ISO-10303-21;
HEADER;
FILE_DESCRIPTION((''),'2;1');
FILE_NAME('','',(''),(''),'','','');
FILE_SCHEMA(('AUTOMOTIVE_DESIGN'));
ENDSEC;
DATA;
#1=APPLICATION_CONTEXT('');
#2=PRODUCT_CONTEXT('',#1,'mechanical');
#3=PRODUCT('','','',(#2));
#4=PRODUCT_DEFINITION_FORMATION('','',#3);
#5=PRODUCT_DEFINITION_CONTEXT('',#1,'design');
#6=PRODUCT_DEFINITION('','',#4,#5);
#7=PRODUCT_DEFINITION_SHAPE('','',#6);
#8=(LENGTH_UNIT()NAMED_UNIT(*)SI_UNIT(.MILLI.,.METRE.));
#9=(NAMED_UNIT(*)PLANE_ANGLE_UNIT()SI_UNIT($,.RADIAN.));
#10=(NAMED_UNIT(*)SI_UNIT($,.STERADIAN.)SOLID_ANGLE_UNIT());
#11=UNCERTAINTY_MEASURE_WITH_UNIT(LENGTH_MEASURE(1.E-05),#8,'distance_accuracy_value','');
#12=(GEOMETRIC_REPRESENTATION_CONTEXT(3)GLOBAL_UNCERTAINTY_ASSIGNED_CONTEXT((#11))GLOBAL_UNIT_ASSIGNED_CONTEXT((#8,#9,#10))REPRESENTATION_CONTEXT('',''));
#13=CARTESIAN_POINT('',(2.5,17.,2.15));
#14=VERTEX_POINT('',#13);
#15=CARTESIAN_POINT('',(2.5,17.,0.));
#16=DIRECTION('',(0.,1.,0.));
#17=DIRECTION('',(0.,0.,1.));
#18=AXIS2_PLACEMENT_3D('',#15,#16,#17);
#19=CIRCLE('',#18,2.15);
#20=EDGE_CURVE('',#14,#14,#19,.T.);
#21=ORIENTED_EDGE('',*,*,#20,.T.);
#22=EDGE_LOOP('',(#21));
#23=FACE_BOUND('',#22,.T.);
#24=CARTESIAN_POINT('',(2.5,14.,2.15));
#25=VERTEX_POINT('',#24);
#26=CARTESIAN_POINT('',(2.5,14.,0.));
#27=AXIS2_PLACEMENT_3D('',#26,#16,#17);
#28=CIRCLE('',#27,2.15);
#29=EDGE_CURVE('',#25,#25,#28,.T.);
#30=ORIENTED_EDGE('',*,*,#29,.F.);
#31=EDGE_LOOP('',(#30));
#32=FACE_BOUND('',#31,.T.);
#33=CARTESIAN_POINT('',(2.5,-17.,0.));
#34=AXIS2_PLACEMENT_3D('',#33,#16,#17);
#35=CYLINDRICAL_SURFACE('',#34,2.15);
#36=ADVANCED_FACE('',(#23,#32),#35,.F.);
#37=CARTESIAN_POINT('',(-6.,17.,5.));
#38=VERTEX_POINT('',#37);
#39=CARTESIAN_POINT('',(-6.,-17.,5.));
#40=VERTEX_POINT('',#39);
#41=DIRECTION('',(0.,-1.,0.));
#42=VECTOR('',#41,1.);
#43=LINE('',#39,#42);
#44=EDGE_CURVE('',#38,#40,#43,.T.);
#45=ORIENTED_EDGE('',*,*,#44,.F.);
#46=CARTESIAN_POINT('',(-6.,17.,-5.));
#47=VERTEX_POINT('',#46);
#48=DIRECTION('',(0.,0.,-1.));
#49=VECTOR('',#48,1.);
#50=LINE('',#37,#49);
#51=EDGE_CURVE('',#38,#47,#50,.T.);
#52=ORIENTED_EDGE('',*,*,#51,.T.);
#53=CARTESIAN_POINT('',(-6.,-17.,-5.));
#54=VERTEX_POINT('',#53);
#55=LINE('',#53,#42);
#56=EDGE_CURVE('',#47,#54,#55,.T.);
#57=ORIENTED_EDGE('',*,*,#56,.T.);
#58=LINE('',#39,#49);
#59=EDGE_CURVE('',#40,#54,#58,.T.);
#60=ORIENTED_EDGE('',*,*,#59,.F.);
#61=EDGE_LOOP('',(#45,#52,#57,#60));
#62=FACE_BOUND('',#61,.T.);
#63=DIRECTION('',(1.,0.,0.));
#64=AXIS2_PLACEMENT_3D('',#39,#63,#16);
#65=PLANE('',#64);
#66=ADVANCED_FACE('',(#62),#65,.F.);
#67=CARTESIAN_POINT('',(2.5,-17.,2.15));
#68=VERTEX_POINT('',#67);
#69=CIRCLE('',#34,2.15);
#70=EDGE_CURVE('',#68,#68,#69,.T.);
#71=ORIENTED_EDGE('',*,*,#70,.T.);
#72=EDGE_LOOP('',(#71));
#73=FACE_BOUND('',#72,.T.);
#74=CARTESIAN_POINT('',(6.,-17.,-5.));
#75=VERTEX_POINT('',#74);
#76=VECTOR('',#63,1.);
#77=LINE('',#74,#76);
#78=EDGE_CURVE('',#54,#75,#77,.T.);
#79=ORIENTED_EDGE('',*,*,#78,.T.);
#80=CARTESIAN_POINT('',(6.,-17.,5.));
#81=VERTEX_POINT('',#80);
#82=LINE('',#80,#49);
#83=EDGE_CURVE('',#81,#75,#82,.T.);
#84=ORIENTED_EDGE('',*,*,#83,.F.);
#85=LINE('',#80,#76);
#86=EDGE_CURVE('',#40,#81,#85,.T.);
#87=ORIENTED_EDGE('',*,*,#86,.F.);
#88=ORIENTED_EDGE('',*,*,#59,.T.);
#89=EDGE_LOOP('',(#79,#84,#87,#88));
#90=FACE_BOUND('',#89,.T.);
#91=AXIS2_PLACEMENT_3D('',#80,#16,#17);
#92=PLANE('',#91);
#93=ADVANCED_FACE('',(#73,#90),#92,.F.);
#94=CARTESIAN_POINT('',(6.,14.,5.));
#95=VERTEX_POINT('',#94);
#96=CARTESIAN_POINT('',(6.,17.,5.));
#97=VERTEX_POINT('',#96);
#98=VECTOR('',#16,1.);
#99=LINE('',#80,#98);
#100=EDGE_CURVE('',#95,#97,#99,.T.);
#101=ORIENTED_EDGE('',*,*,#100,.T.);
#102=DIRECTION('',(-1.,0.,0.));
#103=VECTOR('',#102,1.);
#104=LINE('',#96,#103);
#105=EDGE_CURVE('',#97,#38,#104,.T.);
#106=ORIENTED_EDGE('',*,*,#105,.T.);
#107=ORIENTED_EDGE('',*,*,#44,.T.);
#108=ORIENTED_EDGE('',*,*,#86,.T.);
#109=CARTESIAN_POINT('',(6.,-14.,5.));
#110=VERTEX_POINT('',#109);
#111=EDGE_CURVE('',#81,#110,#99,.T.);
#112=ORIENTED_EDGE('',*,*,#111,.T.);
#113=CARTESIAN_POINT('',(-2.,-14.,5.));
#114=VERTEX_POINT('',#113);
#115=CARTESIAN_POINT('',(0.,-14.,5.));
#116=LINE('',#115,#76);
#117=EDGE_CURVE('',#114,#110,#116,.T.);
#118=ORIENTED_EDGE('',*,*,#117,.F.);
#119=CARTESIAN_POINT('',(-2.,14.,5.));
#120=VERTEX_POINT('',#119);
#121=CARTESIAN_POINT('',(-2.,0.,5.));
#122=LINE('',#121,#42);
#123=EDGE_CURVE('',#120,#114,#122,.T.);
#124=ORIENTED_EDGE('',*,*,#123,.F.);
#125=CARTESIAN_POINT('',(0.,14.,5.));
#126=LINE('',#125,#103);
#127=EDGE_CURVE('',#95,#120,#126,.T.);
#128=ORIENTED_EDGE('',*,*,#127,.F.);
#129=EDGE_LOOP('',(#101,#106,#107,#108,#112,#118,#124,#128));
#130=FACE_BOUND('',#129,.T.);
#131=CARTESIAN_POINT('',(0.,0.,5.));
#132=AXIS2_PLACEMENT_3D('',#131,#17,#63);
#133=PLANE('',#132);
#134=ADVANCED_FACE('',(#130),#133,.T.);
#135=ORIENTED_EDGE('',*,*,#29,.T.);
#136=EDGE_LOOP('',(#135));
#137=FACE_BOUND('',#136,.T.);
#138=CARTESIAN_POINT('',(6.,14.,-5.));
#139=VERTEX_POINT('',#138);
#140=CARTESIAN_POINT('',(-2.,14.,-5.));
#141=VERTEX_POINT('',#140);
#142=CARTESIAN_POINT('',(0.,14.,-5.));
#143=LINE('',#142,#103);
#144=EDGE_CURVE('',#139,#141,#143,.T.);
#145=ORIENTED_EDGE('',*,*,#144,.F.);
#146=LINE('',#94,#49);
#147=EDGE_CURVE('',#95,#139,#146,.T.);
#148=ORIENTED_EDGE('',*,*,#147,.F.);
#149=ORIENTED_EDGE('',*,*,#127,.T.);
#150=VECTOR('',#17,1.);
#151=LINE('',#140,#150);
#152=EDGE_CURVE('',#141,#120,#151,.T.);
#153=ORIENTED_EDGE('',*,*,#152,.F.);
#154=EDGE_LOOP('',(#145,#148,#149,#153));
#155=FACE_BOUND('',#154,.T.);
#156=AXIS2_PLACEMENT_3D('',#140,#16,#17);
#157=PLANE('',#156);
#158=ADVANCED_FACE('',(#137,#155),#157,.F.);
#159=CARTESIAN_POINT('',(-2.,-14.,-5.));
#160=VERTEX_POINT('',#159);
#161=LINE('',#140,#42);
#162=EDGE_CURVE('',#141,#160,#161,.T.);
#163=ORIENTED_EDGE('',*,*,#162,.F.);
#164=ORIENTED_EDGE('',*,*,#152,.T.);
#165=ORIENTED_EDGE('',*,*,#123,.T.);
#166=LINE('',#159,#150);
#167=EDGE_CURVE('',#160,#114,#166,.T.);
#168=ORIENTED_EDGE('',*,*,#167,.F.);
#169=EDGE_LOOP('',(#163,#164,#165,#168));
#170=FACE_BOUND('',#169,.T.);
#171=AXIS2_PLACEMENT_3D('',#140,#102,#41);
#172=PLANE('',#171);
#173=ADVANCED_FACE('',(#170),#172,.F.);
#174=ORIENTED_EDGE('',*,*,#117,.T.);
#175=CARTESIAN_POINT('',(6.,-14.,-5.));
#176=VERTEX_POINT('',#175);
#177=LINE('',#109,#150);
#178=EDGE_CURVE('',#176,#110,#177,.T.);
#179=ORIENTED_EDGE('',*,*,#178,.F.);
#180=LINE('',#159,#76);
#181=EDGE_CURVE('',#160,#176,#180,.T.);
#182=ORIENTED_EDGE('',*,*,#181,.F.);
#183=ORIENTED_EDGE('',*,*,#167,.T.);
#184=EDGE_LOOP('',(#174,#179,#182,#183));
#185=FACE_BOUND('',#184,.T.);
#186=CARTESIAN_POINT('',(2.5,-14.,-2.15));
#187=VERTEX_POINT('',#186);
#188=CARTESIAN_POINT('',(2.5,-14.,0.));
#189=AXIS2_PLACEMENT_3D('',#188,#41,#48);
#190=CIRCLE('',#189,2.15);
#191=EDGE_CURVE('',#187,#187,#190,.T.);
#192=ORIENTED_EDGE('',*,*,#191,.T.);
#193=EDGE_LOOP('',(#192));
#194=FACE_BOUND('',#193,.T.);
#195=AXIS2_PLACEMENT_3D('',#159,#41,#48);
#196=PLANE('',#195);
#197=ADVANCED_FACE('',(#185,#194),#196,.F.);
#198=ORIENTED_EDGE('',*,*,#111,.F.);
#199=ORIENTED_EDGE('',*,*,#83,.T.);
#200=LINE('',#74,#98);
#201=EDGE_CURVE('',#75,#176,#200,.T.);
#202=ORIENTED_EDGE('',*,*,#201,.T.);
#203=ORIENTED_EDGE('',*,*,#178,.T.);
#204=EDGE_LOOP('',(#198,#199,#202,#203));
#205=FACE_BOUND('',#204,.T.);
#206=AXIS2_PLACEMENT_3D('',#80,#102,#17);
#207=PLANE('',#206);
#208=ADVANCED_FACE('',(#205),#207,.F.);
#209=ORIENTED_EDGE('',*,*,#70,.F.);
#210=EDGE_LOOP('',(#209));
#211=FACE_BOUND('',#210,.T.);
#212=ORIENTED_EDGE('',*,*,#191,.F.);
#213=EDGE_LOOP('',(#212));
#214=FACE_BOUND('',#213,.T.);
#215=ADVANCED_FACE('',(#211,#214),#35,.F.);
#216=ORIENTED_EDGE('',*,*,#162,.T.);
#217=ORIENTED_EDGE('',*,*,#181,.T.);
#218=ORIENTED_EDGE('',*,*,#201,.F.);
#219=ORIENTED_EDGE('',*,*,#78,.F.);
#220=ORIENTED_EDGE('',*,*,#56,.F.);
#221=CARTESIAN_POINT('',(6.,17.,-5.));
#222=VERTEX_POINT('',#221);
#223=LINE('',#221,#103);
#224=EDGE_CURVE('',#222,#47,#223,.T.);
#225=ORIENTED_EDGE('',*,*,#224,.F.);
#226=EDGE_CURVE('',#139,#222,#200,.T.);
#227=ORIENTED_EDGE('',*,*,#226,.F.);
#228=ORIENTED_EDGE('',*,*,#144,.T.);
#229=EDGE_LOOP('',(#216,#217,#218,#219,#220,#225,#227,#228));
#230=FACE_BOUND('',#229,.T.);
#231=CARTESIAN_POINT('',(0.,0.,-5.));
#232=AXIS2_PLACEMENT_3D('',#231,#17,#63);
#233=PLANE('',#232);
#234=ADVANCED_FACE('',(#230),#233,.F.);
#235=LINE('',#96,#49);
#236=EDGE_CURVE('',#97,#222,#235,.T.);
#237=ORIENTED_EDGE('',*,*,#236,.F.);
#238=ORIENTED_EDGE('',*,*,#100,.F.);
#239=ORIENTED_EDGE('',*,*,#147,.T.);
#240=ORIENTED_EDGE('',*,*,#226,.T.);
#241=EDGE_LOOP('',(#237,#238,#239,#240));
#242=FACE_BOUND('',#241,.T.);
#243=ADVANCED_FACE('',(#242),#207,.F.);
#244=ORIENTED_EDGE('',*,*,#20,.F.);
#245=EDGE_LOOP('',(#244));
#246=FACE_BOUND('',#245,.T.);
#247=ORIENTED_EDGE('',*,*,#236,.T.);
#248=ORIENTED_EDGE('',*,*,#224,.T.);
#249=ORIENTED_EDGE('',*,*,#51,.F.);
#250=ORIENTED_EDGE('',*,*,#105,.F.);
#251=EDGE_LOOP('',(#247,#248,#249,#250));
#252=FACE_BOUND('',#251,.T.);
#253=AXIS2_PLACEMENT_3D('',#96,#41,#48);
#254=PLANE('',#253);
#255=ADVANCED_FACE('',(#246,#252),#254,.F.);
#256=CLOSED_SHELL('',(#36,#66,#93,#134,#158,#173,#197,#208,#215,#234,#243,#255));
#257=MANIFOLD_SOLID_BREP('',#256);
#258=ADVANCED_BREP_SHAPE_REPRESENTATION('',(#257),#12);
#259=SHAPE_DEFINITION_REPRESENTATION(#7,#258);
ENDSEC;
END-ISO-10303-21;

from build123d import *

# Parameters (mm, degrees)
SKETCH1_W               = 12
SKETCH1_H               = 34
BOSS_EXTRUDE1_DEPTH     = 5
SKETCH2_W               = 16
SKETCH2_H               = 28
CUT_EXTRUDE1_DEPTH      = 1
CUT_EXTRUDE1_DEPTH_BACK = 11
SKETCH3_R               = 2.15
CUT_EXTRUDE2_DEPTH      = 35


with BuildPart() as part:
    # Sketch1 → Boss-Extrude1 (new body, symmetric)
    with BuildSketch(Plane.XY):
        Rectangle(SKETCH1_W, SKETCH1_H)
    extrude(amount=BOSS_EXTRUDE1_DEPTH, both=True)

    # Sketch2 → Cut-Extrude1 (cut, two sides)
    with BuildSketch(Plane.XY.offset(5)) as cut_extrude1_sk:
        with Locations((6, 0)):
            Rectangle(SKETCH2_W, SKETCH2_H)
    extrude(amount=CUT_EXTRUDE1_DEPTH, mode=Mode.SUBTRACT)
    extrude(cut_extrude1_sk.sketch, amount=-CUT_EXTRUDE1_DEPTH_BACK, mode=Mode.SUBTRACT)

    # Sketch3 → Cut-Extrude2 (cut, through all)
    with BuildSketch(Plane(origin=(0, 17, 0), x_dir=(1, 0, 0), z_dir=(0, 1, 0))):
        with Locations((2.5, 0)):
            Circle(SKETCH3_R)
    extrude(amount=-CUT_EXTRUDE2_DEPTH, mode=Mode.SUBTRACT)


solid = part.part
